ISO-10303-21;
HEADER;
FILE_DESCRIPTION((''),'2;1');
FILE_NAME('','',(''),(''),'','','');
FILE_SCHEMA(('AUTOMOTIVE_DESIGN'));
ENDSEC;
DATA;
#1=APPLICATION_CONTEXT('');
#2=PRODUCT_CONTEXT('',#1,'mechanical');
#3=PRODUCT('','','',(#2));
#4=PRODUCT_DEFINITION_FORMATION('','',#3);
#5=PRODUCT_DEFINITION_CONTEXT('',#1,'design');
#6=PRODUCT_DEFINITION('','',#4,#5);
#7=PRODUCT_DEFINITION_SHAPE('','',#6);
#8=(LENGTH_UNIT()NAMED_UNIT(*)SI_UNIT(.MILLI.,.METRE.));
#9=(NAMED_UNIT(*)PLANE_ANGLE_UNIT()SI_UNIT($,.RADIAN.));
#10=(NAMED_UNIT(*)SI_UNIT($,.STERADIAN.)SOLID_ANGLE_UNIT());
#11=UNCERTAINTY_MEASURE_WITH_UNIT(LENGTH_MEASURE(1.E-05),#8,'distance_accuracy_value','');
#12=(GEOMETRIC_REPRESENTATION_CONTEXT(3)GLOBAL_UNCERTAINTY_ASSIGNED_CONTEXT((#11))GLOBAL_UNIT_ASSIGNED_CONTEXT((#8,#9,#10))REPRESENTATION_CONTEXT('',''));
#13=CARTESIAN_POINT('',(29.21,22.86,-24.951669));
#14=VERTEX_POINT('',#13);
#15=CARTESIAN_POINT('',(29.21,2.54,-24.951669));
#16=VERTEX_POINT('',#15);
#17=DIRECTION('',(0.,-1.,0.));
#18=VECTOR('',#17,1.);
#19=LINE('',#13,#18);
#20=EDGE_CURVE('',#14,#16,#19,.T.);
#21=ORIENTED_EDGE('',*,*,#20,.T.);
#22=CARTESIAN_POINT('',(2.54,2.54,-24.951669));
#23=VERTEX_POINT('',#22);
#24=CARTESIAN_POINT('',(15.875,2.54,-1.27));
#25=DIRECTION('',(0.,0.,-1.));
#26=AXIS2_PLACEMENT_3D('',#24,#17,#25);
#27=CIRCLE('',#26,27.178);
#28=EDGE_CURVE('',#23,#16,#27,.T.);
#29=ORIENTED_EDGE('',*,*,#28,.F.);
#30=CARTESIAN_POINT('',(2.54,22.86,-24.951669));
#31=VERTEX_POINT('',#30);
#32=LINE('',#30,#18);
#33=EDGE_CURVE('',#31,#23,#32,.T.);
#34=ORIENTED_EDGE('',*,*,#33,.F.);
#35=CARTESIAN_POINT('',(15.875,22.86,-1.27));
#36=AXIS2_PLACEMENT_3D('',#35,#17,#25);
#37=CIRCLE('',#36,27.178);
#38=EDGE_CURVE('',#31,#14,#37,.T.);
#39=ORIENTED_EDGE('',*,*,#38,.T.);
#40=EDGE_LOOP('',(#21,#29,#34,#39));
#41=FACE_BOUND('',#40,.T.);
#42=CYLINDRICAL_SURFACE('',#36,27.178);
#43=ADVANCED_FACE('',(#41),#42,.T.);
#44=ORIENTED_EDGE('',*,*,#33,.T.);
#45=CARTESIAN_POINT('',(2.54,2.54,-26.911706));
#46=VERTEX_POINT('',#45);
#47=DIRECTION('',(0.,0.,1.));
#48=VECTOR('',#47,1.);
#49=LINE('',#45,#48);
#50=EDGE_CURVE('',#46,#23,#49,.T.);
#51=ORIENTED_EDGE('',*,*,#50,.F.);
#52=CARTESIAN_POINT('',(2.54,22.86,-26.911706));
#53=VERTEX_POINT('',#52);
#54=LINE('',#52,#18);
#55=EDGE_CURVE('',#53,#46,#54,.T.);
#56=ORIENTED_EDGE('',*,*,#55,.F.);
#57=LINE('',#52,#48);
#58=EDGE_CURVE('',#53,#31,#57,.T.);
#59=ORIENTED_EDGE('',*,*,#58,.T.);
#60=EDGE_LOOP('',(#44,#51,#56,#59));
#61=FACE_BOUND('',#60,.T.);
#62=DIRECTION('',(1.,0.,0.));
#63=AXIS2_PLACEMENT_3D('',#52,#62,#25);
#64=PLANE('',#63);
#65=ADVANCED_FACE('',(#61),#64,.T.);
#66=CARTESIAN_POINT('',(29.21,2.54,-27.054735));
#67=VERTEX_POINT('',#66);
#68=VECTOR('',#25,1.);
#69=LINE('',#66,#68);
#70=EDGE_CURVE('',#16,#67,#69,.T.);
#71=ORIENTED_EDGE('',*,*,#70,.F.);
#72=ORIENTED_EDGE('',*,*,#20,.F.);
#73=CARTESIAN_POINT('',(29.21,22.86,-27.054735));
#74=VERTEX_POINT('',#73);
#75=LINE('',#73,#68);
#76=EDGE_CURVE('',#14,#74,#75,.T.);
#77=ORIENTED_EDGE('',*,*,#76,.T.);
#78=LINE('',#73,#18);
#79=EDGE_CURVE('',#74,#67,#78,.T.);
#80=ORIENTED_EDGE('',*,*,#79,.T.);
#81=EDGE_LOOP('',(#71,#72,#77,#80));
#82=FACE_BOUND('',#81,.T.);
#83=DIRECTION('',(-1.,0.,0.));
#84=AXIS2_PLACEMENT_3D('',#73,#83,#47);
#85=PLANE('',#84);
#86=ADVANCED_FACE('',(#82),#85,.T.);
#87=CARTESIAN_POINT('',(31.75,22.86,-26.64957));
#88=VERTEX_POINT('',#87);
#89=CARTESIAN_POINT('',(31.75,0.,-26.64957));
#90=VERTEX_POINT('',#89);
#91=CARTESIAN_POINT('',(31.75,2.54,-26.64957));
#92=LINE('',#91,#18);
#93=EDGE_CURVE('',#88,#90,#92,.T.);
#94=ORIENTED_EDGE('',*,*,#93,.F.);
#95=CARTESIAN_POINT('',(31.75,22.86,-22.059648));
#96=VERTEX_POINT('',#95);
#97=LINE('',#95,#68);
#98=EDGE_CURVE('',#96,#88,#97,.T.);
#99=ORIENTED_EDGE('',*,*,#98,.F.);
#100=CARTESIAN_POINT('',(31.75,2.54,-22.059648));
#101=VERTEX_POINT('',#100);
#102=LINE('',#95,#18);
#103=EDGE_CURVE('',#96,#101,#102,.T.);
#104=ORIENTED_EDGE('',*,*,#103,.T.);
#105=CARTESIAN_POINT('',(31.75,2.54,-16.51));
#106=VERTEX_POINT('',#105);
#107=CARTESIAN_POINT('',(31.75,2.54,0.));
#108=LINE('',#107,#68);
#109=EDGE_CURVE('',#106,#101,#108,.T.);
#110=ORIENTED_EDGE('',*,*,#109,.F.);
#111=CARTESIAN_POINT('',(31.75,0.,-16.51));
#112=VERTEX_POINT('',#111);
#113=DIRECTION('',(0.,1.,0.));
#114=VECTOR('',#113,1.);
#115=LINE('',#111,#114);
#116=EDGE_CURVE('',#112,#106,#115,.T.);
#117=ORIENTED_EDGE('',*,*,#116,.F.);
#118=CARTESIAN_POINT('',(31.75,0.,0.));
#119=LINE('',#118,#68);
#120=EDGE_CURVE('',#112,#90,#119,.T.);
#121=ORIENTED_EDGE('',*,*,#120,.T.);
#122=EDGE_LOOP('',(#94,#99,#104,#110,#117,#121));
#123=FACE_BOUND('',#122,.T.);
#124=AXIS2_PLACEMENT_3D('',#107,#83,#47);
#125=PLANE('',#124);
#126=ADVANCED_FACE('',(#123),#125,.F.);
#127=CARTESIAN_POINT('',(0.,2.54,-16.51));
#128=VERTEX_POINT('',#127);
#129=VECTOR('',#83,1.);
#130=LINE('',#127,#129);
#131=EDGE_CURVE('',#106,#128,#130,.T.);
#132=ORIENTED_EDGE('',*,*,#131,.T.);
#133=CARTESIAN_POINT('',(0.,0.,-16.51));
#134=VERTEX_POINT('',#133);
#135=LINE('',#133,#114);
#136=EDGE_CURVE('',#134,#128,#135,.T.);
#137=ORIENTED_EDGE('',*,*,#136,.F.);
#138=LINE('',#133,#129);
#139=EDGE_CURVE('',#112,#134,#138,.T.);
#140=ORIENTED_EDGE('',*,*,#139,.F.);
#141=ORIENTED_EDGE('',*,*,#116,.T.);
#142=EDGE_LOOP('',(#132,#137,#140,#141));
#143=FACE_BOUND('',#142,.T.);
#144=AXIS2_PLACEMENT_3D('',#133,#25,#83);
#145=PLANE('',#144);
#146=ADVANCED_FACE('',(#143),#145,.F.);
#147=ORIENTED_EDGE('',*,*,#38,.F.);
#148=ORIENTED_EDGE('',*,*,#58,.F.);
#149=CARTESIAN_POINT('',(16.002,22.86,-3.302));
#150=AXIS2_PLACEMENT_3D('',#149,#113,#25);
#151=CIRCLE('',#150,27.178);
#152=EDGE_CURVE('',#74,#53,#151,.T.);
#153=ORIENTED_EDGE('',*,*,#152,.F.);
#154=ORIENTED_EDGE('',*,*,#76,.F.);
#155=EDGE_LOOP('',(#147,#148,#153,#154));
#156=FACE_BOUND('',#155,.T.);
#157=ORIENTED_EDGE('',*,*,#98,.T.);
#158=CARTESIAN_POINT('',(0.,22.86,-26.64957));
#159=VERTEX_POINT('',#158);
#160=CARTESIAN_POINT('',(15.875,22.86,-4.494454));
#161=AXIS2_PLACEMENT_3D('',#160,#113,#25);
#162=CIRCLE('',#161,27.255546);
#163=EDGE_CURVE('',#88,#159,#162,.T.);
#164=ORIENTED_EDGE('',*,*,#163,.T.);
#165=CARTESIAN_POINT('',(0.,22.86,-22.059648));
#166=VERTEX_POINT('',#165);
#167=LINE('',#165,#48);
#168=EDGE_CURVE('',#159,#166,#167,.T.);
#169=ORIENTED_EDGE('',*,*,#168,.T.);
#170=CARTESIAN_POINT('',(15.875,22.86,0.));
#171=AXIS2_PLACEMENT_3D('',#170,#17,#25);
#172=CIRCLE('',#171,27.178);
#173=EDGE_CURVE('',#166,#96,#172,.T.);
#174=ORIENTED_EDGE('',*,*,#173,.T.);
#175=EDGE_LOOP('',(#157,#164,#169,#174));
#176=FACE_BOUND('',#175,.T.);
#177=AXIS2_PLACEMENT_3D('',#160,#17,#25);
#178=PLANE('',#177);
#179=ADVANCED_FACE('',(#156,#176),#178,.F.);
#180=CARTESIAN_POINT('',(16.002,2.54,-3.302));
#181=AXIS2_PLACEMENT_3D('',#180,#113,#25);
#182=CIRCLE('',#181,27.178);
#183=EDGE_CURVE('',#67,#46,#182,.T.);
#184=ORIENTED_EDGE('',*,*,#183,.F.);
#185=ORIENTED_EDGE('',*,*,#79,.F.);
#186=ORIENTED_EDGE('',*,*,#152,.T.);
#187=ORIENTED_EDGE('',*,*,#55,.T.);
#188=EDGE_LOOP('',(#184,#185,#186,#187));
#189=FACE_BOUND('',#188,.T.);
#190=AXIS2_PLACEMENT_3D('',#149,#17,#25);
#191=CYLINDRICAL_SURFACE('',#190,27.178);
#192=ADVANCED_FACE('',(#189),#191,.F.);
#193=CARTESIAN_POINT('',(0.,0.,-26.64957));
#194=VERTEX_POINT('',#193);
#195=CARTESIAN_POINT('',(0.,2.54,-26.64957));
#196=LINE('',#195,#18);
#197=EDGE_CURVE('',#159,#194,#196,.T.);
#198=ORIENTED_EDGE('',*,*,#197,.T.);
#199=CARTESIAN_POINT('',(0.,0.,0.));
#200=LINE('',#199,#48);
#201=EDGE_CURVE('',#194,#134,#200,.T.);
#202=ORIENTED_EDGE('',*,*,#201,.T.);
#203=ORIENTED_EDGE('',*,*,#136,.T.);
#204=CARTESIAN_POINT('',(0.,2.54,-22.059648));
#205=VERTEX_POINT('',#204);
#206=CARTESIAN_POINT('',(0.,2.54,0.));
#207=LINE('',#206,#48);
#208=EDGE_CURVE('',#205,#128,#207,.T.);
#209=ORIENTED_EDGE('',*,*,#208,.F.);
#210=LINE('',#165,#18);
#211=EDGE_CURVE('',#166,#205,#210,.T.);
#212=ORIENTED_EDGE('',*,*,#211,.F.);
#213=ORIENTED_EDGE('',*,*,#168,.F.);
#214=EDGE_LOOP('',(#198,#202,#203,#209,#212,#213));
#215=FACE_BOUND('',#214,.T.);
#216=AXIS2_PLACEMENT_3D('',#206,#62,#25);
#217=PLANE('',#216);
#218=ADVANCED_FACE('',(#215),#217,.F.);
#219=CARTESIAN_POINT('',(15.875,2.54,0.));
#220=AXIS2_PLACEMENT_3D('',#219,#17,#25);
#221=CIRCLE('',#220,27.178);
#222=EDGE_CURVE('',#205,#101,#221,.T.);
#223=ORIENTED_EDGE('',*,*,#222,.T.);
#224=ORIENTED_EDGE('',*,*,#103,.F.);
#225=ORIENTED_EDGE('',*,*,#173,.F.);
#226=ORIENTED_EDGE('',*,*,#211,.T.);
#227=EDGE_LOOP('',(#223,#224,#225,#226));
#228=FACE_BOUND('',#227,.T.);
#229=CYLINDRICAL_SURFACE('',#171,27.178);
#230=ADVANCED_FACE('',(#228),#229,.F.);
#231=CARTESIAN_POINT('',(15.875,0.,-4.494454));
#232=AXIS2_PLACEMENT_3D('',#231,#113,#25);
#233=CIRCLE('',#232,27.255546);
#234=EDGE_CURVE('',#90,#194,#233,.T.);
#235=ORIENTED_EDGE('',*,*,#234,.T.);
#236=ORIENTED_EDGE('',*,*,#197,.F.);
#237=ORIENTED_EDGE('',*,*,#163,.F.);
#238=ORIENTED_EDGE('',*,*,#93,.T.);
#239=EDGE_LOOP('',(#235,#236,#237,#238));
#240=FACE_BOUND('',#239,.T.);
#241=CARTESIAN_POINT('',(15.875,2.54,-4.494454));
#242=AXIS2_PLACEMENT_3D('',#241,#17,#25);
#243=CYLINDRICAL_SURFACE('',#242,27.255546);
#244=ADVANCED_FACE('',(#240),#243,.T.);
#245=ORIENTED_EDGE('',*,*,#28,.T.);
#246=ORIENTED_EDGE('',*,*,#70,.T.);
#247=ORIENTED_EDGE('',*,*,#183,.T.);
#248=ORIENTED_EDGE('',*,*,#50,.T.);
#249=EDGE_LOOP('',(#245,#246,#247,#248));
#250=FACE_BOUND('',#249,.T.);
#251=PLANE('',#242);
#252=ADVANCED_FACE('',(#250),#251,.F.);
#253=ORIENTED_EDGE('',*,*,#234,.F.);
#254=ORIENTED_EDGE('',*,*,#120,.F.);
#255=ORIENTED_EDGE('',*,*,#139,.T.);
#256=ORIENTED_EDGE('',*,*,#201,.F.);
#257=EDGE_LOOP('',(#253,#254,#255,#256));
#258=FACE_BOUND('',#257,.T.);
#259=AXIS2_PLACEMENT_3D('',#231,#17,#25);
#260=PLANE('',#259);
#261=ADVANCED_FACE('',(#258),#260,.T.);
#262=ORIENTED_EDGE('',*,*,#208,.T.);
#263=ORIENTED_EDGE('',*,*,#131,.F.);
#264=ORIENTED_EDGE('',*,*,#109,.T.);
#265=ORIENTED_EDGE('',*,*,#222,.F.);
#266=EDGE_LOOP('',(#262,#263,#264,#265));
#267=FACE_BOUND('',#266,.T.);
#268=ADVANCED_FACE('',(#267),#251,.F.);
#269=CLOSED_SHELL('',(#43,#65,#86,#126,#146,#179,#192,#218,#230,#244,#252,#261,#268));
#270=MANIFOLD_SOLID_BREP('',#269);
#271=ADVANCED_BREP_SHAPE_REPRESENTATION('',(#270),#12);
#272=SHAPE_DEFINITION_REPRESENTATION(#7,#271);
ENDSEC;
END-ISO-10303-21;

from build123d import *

# Parameters (mm, degrees)
BOSS_EXTRUDE1_DEPTH = 2.54
BOSS_EXTRUDE4_DEPTH = 20.32
SKETCH3_W           = 31.75
SKETCH3_H           = 16.51
CUT_EXTRUDE1_DEPTH  = 2.54


with BuildPart() as part:
    # Sketch1 → Boss-Extrude1 (new body)
    with BuildSketch(Plane(origin=(0, 0, 0), x_dir=(1, 0, 0), z_dir=(0, 1, 0))):
        with BuildLine():
            Line((0, 0), (31.75, 0))
            Line((31.75, 0), (31.75, 26.649569904))
            ThreePointArc((31.75, 26.649569904), (15.875, 31.75), (0, 26.649569904))
            Line((0, 26.649569904), (0, 0))
        make_face()
    extrude(amount=BOSS_EXTRUDE1_DEPTH)

    # Sketch2 → Boss-Extrude4 (add)
    with BuildSketch(Plane(origin=(0, 2.54, 0), x_dir=(1, 0, 0), z_dir=(0, 1, 0))):
        with BuildLine():
            Line((31.75, 22.059647753), (31.75, 26.649569904))
            ThreePointArc((31.75, 26.649569904), (15.875, 31.75), (0, 26.649569904))
            Line((0, 26.649569904), (0, 22.059647753))
            ThreePointArc((0, 22.059647753), (15.875, 27.178), (31.75, 22.059647753))
        make_face()
        with BuildLine():
            Line((2.54, 26.911706478), (2.54, 24.951669261))
            ThreePointArc((2.54, 24.951669261), (15.875, 28.448), (29.21, 24.951669261))
            Line((29.21, 24.951669261), (29.21, 27.054735))
            ThreePointArc((29.21, 27.054735), (15.856249221, 30.479609179), (2.54, 26.911706478))
        make_face(mode=Mode.SUBTRACT)
    extrude(amount=BOSS_EXTRUDE4_DEPTH)

    # Sketch3 → Cut-Extrude1 (cut)
    with BuildSketch(Plane(origin=(0, 2.54, 0), x_dir=(1, 0, 0), z_dir=(0, 1, 0))):
        with Locations((15.875, 8.255)):
            Rectangle(SKETCH3_W, SKETCH3_H)
    extrude(amount=-CUT_EXTRUDE1_DEPTH, mode=Mode.SUBTRACT)


solid = part.part
